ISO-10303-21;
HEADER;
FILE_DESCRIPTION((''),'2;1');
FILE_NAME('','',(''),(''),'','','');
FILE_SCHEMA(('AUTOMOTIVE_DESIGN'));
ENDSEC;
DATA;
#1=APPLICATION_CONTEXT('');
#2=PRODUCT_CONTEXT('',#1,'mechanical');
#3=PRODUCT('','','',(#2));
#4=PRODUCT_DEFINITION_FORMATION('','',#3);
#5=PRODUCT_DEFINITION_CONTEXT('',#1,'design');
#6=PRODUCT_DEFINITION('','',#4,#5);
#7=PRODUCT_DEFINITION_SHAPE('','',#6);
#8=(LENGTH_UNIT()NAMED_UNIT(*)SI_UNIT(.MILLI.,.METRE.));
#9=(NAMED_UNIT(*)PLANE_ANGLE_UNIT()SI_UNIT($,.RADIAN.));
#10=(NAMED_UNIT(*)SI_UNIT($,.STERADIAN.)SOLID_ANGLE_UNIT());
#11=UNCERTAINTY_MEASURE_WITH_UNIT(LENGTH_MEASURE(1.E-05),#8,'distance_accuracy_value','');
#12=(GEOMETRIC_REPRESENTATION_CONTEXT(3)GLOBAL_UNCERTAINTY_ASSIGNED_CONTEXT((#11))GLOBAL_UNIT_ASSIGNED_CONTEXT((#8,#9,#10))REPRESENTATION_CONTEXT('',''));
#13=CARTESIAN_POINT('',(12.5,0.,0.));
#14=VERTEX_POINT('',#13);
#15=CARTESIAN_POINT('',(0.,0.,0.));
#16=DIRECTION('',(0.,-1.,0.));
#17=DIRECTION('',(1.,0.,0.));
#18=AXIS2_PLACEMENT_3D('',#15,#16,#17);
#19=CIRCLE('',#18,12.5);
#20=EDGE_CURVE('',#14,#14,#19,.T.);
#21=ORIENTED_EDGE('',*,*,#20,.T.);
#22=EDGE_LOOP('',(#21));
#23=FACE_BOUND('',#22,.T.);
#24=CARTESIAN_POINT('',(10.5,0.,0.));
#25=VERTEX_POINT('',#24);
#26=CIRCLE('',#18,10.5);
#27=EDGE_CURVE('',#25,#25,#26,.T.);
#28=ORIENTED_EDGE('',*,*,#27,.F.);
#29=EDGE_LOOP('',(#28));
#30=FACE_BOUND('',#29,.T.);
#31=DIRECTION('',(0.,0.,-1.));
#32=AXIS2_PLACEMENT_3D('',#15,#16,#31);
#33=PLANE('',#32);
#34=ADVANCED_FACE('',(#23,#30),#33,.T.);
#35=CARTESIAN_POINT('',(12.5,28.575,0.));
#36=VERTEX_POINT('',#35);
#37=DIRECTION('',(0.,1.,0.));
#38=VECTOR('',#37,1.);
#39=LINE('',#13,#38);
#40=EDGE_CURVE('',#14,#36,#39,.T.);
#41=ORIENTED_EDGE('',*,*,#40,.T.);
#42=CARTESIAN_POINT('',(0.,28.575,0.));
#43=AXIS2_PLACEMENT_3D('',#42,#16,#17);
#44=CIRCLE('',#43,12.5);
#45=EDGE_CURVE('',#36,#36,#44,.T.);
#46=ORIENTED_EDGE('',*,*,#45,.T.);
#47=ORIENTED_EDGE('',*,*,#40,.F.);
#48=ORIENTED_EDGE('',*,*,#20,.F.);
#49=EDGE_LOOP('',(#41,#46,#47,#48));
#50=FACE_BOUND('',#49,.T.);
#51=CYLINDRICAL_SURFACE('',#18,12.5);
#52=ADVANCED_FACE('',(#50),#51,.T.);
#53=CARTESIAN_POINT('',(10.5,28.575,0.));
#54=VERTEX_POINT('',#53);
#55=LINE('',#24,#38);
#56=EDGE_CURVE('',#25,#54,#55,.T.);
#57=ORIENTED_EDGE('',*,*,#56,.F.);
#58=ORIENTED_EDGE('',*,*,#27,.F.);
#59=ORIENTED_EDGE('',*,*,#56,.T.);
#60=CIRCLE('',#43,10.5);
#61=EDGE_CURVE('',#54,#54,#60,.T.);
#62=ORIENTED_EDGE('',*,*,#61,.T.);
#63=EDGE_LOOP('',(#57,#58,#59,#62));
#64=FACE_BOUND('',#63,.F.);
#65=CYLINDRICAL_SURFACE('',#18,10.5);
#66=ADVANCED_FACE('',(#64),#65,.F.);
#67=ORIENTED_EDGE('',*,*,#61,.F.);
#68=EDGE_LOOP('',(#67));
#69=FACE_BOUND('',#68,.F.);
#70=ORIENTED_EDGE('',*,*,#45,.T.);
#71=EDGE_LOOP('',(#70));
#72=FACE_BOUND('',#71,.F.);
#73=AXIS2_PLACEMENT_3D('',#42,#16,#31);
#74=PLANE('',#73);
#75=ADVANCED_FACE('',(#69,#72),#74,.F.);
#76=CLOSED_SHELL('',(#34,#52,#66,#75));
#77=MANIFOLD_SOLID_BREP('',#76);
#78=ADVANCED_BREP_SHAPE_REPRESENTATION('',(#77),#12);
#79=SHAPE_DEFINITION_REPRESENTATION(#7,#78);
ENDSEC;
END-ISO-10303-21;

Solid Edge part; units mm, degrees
sketch "Sketch1" plane through (0, 0, 0) normal (0, -1, 0) x (1, 0, 0)
  circle A0 centre (0, 0) radius 10.5
  circle A1 centre (0, 0) radius 12.5
  dimension "D1" = 25
  dimension "D2" = 2
extrude "Protrusion1" add sketch "Sketch1" against normal blind 28.575
